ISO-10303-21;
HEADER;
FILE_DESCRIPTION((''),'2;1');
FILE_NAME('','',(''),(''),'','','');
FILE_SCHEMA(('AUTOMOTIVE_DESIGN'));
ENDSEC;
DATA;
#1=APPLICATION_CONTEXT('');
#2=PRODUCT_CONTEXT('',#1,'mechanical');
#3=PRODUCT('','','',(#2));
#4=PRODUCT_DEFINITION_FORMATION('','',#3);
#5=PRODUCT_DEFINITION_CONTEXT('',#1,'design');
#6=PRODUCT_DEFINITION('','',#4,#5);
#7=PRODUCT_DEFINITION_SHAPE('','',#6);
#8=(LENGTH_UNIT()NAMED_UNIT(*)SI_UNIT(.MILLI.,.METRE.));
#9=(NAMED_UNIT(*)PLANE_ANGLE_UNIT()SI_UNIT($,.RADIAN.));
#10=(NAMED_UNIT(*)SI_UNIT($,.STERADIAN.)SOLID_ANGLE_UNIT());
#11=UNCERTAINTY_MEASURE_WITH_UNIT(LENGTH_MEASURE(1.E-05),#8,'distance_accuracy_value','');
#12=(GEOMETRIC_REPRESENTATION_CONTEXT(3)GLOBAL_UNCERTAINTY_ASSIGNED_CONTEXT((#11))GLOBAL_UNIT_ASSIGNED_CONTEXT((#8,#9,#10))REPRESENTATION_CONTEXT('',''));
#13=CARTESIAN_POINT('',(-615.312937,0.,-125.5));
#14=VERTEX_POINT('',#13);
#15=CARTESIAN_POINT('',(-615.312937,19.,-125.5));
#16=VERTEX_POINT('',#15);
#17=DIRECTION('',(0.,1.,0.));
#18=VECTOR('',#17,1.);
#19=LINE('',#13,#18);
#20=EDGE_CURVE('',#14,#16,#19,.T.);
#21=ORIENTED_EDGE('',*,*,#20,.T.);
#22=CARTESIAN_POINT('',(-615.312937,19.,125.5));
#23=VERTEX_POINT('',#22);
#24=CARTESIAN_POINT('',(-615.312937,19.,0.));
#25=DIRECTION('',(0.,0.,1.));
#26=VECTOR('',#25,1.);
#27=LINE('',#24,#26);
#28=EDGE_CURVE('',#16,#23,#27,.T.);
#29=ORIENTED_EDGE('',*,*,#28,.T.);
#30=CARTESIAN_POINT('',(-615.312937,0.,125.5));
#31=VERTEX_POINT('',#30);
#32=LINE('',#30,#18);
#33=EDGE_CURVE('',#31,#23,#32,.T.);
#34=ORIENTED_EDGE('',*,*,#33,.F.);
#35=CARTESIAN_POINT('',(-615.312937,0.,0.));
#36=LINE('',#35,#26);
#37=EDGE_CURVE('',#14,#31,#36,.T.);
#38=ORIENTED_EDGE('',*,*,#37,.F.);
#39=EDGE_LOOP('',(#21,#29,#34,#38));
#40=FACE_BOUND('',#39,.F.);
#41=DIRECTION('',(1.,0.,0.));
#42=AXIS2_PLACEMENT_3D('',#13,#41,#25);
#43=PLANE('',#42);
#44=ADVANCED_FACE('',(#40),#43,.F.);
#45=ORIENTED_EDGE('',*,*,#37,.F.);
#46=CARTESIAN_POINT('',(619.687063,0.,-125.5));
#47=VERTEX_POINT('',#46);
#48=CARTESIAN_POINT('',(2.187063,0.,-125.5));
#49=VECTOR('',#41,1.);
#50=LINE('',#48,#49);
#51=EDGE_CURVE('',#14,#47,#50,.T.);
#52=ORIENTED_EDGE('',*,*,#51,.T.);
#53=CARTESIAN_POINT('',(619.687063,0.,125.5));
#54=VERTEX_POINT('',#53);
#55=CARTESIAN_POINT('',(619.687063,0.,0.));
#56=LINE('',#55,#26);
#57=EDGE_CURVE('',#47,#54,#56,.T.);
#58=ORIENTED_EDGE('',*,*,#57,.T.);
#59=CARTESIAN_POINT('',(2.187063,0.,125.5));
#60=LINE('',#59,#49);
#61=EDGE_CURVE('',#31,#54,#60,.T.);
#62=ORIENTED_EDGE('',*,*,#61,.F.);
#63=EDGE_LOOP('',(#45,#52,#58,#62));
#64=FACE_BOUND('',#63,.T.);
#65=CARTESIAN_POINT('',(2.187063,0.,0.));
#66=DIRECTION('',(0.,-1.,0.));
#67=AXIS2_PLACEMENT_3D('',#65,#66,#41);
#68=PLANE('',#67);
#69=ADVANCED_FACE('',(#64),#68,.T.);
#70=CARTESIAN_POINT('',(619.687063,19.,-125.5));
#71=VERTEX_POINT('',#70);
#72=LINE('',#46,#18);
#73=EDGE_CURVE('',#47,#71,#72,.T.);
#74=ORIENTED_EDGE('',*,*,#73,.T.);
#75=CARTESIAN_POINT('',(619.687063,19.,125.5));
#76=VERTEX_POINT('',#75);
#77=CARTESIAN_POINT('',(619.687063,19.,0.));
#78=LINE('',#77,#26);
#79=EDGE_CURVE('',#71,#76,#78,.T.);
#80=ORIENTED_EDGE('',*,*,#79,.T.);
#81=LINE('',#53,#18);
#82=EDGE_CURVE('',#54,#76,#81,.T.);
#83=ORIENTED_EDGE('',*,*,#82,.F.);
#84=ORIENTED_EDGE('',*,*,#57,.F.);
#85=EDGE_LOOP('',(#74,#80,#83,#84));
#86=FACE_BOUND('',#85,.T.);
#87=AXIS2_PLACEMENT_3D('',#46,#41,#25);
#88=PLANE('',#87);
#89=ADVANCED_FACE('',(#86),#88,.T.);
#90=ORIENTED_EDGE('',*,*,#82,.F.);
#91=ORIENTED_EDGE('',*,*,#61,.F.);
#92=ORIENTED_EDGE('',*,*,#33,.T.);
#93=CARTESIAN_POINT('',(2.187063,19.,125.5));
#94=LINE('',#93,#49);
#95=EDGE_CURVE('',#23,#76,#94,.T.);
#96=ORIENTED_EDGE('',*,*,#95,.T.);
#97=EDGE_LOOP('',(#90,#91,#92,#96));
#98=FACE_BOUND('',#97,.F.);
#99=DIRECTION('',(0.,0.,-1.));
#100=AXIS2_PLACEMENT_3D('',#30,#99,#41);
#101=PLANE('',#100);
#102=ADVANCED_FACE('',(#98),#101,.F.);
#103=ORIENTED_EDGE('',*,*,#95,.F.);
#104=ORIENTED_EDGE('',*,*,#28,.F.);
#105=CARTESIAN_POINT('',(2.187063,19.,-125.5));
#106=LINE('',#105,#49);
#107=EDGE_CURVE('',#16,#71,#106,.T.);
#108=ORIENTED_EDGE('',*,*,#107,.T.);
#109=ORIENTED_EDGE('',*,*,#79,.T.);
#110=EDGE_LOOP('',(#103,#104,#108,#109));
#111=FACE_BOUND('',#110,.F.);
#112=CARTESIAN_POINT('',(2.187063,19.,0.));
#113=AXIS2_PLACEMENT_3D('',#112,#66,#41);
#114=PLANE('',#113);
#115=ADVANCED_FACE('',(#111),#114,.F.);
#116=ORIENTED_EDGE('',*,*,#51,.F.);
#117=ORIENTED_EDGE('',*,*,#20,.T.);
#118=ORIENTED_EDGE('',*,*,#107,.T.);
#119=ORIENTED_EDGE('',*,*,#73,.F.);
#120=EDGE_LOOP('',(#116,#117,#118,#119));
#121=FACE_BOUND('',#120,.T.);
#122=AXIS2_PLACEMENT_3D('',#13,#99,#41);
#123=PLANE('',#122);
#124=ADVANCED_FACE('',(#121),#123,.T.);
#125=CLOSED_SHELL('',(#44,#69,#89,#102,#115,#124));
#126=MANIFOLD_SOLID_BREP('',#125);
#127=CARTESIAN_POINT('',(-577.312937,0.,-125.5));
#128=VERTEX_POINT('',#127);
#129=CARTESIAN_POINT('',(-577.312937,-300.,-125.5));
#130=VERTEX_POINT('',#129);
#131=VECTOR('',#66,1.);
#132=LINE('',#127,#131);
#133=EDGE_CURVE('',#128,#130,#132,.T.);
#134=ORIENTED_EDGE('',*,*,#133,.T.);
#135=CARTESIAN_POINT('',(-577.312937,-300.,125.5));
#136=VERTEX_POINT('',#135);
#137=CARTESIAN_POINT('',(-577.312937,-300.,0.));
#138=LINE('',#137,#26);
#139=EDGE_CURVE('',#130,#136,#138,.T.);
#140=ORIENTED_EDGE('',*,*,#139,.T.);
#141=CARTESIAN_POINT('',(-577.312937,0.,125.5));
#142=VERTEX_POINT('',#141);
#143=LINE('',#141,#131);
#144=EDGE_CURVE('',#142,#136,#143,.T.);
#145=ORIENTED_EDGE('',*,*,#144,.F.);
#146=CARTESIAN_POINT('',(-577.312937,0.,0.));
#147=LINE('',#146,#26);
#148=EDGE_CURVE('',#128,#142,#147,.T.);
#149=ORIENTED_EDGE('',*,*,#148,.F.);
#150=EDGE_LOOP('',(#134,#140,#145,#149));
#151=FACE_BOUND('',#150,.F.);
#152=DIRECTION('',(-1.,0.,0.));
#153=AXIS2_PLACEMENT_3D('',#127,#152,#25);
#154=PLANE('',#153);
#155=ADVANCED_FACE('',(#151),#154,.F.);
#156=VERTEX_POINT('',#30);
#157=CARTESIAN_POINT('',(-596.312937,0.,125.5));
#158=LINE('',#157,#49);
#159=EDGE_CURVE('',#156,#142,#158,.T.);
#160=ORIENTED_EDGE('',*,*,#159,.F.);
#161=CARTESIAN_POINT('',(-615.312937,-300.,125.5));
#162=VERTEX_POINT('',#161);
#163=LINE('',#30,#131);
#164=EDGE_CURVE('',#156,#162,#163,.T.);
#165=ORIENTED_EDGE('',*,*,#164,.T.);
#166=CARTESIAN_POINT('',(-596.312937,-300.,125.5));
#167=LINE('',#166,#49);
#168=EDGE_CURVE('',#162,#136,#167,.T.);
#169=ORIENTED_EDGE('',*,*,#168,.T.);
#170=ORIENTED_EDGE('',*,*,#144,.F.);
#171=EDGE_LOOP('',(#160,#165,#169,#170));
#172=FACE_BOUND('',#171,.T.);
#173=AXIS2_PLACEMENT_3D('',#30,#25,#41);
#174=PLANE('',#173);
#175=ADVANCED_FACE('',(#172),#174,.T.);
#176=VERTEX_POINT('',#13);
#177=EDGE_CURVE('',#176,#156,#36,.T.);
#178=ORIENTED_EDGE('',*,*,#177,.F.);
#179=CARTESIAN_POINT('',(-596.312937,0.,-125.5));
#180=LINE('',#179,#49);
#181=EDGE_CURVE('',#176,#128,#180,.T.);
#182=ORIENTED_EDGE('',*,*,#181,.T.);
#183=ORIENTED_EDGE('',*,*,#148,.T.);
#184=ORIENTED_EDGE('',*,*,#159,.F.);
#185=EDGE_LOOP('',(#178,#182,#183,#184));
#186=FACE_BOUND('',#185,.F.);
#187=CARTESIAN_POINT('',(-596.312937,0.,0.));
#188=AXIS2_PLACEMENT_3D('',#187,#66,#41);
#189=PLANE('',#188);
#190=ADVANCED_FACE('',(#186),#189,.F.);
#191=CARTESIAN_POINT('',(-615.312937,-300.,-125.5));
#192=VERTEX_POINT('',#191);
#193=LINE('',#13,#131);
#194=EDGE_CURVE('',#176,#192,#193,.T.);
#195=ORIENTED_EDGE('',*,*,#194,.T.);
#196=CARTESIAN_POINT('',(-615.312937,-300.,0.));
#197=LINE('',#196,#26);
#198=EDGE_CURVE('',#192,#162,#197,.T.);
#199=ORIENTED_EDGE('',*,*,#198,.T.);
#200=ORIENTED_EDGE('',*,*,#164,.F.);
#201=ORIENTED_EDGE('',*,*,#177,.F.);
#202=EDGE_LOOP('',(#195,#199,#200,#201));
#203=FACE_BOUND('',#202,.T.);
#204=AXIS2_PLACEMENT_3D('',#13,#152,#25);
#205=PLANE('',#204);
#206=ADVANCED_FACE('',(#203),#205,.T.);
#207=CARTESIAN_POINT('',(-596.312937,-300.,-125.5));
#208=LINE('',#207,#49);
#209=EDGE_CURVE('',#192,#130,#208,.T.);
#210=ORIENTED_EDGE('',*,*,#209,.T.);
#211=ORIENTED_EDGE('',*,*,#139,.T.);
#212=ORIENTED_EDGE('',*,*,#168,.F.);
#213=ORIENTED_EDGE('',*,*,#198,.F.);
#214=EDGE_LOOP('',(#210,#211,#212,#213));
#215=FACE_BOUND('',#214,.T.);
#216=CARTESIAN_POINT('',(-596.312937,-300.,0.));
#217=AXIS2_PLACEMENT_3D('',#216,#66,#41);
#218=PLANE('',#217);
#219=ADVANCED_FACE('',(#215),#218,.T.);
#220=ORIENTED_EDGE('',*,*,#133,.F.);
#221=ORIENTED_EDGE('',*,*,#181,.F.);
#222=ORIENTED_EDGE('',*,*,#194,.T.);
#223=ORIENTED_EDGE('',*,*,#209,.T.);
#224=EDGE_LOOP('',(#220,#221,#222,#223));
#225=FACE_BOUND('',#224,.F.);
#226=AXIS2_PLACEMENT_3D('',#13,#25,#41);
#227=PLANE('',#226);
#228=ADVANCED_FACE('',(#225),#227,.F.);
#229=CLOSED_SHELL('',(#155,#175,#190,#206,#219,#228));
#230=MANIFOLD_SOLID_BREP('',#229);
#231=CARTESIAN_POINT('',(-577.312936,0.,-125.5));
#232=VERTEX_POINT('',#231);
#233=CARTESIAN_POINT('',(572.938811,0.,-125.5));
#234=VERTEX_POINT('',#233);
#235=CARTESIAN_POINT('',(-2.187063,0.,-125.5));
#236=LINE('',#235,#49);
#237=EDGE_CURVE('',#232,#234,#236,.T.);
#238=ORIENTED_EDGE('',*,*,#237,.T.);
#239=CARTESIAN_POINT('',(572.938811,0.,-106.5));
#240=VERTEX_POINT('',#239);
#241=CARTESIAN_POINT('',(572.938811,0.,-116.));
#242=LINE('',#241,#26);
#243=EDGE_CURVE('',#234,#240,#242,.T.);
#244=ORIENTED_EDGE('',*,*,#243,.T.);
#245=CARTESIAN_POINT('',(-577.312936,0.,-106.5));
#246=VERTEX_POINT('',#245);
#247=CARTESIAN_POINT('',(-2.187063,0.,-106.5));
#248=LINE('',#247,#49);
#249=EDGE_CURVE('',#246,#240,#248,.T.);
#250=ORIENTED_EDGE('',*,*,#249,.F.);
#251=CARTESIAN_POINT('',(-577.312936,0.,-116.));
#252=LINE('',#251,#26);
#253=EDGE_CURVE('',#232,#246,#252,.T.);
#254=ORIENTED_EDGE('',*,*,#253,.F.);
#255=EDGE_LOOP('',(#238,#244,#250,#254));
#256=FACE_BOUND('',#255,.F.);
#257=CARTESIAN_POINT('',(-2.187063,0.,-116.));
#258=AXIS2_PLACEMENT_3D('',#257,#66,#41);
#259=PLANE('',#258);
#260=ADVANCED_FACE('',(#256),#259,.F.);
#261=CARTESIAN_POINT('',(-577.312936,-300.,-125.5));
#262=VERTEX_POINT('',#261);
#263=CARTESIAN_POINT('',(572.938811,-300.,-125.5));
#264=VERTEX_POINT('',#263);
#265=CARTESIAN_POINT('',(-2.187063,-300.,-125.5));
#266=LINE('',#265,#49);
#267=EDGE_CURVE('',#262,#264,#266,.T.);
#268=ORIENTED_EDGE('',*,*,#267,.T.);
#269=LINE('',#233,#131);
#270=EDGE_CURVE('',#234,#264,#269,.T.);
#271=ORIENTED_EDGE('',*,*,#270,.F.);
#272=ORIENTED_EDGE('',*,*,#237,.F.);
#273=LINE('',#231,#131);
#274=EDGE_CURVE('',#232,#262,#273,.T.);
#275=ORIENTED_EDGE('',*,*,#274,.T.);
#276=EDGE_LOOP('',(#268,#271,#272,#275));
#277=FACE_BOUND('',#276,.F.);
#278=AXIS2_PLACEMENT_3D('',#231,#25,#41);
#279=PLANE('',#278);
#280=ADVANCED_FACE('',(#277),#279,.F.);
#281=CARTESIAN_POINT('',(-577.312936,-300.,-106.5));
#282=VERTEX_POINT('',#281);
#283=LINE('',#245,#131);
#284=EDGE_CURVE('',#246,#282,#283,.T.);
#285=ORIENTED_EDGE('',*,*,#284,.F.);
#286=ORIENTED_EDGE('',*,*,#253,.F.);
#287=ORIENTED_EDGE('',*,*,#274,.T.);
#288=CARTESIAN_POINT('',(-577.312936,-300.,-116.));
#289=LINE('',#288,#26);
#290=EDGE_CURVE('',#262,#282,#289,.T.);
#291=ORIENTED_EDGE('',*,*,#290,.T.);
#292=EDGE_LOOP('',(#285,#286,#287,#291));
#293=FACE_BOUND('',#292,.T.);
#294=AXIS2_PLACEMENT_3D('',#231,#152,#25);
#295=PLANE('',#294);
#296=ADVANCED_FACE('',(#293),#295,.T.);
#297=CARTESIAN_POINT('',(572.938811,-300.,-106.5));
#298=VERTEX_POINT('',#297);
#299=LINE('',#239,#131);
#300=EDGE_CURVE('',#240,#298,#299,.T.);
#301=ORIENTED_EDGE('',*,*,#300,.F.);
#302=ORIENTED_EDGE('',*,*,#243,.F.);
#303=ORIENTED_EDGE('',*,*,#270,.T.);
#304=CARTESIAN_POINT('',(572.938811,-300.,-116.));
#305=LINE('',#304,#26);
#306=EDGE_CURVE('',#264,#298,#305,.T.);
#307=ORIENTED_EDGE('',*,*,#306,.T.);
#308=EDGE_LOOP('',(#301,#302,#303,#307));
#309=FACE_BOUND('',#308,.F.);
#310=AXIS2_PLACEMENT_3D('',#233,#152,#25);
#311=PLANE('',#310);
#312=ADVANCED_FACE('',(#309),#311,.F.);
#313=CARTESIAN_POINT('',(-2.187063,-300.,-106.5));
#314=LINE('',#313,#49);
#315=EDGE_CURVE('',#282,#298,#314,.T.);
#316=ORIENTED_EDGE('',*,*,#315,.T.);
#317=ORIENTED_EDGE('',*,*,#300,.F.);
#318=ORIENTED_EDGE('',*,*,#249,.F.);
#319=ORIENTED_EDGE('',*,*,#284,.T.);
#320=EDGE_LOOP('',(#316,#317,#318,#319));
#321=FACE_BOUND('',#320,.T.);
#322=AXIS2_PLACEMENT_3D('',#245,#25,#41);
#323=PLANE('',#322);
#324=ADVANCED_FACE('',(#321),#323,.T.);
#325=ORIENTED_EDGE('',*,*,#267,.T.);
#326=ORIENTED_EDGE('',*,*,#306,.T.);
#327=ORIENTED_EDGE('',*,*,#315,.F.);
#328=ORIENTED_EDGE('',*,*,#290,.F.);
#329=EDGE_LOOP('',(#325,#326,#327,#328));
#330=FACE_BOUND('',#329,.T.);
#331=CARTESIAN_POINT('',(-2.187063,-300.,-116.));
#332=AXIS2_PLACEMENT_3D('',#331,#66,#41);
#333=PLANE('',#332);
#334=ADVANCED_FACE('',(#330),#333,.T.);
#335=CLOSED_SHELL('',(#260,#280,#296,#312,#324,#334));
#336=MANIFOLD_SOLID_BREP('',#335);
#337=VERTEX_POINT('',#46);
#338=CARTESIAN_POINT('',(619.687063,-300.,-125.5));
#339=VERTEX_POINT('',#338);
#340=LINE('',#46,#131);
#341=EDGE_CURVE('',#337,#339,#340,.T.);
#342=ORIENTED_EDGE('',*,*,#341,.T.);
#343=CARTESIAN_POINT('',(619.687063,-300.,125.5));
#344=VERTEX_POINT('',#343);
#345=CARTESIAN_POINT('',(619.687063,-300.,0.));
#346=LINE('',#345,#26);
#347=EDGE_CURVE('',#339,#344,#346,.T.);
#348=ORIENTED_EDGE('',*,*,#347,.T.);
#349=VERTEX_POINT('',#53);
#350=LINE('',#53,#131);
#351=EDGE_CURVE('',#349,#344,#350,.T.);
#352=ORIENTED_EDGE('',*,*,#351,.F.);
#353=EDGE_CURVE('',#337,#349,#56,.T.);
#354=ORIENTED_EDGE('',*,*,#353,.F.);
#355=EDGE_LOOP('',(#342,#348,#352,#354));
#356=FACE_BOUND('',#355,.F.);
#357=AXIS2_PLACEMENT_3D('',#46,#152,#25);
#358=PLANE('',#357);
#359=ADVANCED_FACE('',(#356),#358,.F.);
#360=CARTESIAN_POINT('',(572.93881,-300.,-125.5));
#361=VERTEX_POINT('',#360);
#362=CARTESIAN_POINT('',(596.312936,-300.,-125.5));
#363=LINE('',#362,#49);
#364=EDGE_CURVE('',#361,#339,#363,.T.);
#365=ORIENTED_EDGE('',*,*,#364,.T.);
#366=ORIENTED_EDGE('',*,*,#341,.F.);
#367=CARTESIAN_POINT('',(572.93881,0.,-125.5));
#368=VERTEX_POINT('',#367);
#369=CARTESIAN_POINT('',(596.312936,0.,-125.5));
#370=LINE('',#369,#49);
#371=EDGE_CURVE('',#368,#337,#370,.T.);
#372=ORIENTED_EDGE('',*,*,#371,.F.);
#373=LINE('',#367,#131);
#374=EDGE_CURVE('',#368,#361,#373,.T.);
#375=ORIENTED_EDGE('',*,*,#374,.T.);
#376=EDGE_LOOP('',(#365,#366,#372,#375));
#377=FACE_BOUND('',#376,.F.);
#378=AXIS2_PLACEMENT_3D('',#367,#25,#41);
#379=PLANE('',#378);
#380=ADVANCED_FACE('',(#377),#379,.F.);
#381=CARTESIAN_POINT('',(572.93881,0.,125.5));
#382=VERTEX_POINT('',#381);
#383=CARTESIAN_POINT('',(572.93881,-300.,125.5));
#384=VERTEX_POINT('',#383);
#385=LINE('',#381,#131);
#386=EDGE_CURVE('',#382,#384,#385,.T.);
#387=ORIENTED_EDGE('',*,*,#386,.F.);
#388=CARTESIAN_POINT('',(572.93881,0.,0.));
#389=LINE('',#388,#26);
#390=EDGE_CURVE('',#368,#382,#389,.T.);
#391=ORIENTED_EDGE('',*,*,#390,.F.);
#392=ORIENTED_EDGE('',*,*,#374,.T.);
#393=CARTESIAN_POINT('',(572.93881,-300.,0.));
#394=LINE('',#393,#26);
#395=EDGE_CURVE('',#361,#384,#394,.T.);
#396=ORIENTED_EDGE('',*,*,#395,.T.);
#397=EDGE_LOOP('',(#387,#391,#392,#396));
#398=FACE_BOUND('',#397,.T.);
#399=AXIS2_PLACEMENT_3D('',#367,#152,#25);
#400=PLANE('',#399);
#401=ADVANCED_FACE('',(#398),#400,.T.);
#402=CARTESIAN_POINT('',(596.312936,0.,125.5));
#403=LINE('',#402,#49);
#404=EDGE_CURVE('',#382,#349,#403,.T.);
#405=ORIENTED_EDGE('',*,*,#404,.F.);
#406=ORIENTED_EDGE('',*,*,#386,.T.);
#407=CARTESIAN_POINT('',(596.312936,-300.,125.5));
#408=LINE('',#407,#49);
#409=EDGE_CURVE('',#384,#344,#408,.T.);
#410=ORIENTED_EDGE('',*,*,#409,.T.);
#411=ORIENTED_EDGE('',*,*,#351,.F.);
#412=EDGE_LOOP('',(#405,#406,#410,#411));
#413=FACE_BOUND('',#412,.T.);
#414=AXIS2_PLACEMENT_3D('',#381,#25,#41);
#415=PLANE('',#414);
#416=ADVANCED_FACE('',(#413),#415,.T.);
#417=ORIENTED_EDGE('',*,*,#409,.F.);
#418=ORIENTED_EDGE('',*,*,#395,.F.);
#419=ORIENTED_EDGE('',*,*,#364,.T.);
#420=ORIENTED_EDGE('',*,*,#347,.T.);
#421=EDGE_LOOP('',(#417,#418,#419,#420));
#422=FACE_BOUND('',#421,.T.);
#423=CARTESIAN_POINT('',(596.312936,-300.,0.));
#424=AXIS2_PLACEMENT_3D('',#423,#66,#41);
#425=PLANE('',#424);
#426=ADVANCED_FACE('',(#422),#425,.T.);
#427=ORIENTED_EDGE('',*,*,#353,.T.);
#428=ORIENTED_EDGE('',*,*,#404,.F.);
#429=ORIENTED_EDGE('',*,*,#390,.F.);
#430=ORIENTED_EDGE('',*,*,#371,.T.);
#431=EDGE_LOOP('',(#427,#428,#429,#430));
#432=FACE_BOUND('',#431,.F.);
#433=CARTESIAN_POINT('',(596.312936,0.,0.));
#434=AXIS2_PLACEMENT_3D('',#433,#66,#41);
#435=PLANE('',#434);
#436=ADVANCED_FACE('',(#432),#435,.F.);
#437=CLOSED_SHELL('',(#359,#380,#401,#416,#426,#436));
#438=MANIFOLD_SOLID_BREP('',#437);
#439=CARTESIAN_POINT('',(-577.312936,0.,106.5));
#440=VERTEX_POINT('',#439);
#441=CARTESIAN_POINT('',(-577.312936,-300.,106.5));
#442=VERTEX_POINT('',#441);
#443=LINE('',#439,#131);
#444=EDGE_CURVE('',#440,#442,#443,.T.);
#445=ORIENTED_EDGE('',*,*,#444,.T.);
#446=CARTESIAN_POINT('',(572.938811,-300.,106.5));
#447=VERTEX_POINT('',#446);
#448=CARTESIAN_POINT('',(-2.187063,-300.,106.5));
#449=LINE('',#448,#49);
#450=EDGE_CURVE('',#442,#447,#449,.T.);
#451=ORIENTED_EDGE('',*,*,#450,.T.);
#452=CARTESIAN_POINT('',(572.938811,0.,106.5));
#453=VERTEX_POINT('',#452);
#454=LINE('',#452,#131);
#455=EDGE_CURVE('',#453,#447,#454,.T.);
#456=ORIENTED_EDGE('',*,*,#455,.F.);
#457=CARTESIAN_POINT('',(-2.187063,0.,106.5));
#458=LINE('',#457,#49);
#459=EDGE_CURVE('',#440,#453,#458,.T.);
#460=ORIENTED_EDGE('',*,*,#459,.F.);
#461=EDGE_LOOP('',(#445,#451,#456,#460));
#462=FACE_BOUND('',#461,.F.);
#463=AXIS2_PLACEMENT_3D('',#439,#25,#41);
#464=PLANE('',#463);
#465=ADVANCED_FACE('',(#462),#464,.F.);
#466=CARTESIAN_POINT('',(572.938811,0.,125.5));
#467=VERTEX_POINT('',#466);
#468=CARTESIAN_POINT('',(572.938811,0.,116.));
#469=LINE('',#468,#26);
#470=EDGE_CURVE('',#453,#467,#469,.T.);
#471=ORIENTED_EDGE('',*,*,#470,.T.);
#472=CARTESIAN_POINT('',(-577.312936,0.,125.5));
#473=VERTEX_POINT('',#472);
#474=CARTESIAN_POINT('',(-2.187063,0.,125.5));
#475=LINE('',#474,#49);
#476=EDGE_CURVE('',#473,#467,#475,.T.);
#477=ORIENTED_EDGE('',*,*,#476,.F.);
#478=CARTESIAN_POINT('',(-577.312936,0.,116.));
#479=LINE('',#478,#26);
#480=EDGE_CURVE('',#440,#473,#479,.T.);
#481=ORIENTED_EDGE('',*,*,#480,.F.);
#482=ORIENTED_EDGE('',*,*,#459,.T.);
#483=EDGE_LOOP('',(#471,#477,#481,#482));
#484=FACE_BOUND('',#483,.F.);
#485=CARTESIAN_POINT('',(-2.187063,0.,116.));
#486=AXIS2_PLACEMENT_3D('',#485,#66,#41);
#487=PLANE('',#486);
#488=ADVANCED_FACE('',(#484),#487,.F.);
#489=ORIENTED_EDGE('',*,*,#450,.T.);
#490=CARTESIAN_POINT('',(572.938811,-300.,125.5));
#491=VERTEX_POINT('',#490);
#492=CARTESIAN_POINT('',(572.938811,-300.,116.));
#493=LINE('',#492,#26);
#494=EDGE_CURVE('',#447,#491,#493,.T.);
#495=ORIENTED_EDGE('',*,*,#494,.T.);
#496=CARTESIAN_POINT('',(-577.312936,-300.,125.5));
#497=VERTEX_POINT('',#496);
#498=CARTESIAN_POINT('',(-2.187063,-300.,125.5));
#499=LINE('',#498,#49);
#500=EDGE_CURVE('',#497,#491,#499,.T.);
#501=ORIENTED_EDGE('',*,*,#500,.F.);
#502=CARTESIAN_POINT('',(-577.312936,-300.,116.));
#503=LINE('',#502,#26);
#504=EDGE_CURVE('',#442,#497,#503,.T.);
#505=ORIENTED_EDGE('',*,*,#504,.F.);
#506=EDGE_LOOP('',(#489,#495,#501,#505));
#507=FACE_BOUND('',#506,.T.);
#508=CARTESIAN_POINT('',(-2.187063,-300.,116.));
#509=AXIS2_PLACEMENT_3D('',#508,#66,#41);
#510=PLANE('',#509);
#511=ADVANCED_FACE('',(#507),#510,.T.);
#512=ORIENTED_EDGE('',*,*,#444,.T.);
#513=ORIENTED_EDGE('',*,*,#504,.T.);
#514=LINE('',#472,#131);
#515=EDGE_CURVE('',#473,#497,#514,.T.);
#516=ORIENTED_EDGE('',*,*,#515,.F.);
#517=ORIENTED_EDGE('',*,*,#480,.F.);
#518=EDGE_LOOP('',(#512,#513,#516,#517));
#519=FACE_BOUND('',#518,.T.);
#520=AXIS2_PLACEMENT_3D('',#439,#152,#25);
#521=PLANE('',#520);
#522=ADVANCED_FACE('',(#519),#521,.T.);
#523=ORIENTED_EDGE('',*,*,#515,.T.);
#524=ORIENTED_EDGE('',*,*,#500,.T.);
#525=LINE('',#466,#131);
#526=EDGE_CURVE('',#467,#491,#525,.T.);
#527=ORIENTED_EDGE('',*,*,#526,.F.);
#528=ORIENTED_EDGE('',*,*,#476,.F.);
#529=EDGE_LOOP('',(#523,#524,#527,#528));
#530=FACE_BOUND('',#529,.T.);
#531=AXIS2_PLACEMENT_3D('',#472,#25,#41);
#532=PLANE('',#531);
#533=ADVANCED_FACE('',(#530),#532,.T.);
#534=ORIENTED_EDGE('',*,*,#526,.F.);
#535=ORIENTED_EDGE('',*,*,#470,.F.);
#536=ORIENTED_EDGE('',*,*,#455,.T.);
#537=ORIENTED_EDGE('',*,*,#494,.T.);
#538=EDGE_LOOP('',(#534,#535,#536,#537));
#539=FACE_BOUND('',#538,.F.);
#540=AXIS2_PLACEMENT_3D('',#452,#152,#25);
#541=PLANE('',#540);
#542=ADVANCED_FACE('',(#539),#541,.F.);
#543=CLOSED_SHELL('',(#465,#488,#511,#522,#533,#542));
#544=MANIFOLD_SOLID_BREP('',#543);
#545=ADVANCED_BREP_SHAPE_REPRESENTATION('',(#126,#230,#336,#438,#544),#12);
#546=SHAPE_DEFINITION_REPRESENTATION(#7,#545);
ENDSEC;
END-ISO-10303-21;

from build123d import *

# Parameters (mm, degrees)
F1_W     = 38
F1_H     = 251
F1_W_2   = 46.748253
F2_DEPTH = 300
F3_W     = 1150.251747
F3_H     = 19
F4_DEPTH = 300
F5_W     = 1235
F5_H     = 251
F6_DEPTH = 19


with BuildPart() as f2:
    # F1 (on Front) → F2 (new body)
    with BuildSketch(Plane.XZ):
        with Locations((-596.312937, 0)):
            Rectangle(F1_W, F1_H)
        with Locations((596.312936, 0)):
            Rectangle(F1_W_2, F1_H)
    extrude(amount=F2_DEPTH)


with BuildPart() as f4:
    # F3 (on Front) → F4 (new body, through all)
    with BuildSketch(Plane.XZ):
        with Locations((-2.187063, 116)):
            Rectangle(F3_W, F3_H)
        with Locations((-2.187063, -116)):
            Rectangle(F3_W, F3_H)
    extrude(amount=F4_DEPTH)


with BuildPart() as f6:
    # F5 (on face) → F6 (new body)
    with BuildSketch(Plane.XZ):
        with Locations((2.187063, 0)):
            Rectangle(F5_W, F5_H)
    extrude(amount=-F6_DEPTH)


solid = Compound([f2.part, f4.part, f6.part])
